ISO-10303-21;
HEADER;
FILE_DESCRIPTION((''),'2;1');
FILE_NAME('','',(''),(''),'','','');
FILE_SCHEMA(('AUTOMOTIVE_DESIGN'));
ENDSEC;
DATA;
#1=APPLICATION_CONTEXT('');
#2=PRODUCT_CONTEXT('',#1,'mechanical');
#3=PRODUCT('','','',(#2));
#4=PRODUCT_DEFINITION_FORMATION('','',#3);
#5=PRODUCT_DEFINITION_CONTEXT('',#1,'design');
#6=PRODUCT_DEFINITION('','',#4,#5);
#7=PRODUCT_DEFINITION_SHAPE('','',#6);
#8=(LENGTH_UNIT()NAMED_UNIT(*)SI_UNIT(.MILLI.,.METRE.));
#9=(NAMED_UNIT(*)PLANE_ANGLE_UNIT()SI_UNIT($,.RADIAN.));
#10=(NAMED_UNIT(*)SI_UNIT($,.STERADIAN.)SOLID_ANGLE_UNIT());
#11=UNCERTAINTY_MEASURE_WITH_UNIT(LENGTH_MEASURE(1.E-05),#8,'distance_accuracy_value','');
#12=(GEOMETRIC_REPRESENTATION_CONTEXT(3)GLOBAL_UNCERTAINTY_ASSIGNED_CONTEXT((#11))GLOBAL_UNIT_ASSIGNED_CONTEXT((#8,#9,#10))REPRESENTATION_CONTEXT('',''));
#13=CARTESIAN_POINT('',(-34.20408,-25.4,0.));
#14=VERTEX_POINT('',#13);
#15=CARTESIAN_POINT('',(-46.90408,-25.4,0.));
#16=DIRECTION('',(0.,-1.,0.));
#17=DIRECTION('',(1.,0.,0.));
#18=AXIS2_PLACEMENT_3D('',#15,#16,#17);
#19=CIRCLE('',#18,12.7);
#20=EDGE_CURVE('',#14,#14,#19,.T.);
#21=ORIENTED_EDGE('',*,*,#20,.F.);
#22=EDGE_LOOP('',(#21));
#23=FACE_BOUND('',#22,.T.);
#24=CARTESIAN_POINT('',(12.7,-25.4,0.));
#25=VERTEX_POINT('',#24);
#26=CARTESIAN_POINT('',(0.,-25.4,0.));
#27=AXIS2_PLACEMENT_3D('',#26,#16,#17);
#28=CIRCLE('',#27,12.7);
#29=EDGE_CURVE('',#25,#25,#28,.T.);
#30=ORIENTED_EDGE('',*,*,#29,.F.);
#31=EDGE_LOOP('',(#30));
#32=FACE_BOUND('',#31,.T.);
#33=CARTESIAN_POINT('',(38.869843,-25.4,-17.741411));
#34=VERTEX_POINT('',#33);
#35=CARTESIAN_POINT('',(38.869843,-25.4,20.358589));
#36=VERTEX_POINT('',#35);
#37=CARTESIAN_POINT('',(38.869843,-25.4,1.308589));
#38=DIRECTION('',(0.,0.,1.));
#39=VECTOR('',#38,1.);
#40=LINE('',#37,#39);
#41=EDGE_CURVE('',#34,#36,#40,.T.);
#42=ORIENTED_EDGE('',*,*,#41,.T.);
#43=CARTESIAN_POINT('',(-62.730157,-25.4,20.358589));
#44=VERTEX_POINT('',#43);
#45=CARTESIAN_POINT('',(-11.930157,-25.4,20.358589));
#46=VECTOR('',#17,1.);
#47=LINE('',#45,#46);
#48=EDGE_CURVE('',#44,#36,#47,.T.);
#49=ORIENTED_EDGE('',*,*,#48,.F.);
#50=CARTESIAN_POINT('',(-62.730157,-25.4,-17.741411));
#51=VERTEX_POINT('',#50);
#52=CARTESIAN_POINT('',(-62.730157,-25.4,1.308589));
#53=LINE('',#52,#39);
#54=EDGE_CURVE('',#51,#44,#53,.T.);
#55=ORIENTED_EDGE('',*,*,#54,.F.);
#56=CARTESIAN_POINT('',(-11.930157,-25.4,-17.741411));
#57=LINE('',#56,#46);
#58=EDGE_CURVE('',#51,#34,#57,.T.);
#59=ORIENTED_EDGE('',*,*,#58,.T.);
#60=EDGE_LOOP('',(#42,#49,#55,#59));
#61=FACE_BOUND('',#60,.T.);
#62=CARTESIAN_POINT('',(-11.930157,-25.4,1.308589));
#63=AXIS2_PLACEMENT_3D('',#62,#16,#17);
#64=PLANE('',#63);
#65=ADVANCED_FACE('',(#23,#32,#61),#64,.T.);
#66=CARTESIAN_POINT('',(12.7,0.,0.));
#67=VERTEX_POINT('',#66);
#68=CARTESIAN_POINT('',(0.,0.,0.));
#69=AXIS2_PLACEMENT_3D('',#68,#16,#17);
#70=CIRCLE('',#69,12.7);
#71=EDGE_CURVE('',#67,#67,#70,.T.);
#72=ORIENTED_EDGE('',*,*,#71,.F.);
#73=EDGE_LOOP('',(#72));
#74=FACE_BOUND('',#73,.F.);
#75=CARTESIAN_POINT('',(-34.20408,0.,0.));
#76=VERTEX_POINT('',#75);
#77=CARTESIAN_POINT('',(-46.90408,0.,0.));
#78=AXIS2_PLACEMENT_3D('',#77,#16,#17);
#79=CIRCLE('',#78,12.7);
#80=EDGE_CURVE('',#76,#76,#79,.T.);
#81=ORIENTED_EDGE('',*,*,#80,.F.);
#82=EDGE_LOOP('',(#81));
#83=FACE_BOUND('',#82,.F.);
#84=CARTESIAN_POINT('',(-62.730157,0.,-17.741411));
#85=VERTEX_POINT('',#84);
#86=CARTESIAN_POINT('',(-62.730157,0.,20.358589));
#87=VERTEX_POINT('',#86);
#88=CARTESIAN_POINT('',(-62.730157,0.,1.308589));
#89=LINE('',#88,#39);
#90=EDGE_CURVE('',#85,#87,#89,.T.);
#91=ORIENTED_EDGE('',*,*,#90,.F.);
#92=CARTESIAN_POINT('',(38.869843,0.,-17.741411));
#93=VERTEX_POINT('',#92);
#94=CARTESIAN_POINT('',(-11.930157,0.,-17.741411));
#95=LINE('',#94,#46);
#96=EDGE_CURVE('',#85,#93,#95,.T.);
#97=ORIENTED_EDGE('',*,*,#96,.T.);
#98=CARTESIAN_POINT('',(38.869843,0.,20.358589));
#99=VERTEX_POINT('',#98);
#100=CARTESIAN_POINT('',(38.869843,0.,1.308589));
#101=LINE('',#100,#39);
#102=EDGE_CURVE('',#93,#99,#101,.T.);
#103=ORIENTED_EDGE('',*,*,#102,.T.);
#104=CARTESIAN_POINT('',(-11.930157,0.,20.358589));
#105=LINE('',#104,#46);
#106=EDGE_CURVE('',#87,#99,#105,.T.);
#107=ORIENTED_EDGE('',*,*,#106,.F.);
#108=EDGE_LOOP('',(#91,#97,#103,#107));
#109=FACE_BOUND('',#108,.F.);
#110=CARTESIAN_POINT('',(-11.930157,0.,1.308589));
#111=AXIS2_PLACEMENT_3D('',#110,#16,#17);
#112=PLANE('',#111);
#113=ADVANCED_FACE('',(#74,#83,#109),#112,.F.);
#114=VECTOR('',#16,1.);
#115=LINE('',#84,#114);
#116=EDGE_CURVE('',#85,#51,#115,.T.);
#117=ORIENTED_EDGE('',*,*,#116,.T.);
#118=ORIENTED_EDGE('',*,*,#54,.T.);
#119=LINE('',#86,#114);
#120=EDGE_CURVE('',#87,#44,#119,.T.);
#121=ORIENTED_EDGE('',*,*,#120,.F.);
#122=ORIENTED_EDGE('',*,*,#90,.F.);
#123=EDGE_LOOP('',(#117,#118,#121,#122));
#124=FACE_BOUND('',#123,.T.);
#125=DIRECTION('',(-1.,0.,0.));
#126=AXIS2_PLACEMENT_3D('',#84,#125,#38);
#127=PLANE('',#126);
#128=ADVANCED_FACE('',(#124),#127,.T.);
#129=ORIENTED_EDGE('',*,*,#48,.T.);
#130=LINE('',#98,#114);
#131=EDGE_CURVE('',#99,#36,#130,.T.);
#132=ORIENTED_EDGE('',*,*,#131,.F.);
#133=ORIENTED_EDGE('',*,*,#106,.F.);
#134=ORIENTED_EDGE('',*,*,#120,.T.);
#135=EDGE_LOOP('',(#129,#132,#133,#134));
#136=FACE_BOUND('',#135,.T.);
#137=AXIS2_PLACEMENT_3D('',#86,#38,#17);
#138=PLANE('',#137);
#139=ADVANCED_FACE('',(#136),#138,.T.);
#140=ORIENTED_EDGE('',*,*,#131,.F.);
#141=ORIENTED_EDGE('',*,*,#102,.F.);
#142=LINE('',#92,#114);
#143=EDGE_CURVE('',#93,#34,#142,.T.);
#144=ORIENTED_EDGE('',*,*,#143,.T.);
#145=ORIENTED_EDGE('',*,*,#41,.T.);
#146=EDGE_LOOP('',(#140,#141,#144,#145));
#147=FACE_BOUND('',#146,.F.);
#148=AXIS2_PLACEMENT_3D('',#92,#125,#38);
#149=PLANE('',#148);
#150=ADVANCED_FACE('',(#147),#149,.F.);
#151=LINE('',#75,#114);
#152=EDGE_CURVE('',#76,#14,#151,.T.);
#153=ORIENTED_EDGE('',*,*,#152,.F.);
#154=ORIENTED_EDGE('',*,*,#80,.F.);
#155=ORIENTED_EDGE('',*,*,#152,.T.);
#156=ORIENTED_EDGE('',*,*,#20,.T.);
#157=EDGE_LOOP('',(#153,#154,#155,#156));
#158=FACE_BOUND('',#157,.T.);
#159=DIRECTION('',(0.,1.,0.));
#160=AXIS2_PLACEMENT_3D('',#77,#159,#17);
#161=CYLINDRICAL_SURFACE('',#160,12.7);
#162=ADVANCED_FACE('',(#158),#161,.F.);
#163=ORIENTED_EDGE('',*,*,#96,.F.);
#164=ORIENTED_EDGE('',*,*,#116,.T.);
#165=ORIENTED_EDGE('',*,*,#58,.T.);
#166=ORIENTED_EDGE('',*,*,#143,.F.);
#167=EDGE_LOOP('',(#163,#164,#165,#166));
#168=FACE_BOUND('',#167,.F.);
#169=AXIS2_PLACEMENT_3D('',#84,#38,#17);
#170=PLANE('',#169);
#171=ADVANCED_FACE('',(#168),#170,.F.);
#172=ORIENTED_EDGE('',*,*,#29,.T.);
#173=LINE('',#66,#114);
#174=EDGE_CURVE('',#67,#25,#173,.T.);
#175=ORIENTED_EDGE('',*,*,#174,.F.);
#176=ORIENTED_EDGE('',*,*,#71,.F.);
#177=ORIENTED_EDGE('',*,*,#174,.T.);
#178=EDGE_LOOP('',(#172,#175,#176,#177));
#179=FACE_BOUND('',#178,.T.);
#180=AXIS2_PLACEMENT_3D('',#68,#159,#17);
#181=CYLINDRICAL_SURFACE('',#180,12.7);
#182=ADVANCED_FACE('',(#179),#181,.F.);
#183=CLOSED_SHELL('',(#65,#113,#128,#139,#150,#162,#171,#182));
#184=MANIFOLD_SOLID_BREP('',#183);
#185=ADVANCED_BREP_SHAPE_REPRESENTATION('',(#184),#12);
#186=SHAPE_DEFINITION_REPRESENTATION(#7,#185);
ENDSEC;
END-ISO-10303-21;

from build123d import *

# Parameters (mm, degrees)
F0_W     = 101.6
F0_H     = 38.1
F0_R     = 12.7
F1_DEPTH = 25.4


with BuildPart() as f1:
    # F0 (on Front) → F1 (new body)
    with BuildSketch(Plane.XZ):
        with Locations((-11.930157, 1.308589)):
            Rectangle(F0_W, F0_H)
        with Locations((-46.90408, 0)):
            Circle(F0_R, mode=Mode.SUBTRACT)
        Circle(F0_R, mode=Mode.SUBTRACT)
    extrude(amount=F1_DEPTH)


solid = f1.part
